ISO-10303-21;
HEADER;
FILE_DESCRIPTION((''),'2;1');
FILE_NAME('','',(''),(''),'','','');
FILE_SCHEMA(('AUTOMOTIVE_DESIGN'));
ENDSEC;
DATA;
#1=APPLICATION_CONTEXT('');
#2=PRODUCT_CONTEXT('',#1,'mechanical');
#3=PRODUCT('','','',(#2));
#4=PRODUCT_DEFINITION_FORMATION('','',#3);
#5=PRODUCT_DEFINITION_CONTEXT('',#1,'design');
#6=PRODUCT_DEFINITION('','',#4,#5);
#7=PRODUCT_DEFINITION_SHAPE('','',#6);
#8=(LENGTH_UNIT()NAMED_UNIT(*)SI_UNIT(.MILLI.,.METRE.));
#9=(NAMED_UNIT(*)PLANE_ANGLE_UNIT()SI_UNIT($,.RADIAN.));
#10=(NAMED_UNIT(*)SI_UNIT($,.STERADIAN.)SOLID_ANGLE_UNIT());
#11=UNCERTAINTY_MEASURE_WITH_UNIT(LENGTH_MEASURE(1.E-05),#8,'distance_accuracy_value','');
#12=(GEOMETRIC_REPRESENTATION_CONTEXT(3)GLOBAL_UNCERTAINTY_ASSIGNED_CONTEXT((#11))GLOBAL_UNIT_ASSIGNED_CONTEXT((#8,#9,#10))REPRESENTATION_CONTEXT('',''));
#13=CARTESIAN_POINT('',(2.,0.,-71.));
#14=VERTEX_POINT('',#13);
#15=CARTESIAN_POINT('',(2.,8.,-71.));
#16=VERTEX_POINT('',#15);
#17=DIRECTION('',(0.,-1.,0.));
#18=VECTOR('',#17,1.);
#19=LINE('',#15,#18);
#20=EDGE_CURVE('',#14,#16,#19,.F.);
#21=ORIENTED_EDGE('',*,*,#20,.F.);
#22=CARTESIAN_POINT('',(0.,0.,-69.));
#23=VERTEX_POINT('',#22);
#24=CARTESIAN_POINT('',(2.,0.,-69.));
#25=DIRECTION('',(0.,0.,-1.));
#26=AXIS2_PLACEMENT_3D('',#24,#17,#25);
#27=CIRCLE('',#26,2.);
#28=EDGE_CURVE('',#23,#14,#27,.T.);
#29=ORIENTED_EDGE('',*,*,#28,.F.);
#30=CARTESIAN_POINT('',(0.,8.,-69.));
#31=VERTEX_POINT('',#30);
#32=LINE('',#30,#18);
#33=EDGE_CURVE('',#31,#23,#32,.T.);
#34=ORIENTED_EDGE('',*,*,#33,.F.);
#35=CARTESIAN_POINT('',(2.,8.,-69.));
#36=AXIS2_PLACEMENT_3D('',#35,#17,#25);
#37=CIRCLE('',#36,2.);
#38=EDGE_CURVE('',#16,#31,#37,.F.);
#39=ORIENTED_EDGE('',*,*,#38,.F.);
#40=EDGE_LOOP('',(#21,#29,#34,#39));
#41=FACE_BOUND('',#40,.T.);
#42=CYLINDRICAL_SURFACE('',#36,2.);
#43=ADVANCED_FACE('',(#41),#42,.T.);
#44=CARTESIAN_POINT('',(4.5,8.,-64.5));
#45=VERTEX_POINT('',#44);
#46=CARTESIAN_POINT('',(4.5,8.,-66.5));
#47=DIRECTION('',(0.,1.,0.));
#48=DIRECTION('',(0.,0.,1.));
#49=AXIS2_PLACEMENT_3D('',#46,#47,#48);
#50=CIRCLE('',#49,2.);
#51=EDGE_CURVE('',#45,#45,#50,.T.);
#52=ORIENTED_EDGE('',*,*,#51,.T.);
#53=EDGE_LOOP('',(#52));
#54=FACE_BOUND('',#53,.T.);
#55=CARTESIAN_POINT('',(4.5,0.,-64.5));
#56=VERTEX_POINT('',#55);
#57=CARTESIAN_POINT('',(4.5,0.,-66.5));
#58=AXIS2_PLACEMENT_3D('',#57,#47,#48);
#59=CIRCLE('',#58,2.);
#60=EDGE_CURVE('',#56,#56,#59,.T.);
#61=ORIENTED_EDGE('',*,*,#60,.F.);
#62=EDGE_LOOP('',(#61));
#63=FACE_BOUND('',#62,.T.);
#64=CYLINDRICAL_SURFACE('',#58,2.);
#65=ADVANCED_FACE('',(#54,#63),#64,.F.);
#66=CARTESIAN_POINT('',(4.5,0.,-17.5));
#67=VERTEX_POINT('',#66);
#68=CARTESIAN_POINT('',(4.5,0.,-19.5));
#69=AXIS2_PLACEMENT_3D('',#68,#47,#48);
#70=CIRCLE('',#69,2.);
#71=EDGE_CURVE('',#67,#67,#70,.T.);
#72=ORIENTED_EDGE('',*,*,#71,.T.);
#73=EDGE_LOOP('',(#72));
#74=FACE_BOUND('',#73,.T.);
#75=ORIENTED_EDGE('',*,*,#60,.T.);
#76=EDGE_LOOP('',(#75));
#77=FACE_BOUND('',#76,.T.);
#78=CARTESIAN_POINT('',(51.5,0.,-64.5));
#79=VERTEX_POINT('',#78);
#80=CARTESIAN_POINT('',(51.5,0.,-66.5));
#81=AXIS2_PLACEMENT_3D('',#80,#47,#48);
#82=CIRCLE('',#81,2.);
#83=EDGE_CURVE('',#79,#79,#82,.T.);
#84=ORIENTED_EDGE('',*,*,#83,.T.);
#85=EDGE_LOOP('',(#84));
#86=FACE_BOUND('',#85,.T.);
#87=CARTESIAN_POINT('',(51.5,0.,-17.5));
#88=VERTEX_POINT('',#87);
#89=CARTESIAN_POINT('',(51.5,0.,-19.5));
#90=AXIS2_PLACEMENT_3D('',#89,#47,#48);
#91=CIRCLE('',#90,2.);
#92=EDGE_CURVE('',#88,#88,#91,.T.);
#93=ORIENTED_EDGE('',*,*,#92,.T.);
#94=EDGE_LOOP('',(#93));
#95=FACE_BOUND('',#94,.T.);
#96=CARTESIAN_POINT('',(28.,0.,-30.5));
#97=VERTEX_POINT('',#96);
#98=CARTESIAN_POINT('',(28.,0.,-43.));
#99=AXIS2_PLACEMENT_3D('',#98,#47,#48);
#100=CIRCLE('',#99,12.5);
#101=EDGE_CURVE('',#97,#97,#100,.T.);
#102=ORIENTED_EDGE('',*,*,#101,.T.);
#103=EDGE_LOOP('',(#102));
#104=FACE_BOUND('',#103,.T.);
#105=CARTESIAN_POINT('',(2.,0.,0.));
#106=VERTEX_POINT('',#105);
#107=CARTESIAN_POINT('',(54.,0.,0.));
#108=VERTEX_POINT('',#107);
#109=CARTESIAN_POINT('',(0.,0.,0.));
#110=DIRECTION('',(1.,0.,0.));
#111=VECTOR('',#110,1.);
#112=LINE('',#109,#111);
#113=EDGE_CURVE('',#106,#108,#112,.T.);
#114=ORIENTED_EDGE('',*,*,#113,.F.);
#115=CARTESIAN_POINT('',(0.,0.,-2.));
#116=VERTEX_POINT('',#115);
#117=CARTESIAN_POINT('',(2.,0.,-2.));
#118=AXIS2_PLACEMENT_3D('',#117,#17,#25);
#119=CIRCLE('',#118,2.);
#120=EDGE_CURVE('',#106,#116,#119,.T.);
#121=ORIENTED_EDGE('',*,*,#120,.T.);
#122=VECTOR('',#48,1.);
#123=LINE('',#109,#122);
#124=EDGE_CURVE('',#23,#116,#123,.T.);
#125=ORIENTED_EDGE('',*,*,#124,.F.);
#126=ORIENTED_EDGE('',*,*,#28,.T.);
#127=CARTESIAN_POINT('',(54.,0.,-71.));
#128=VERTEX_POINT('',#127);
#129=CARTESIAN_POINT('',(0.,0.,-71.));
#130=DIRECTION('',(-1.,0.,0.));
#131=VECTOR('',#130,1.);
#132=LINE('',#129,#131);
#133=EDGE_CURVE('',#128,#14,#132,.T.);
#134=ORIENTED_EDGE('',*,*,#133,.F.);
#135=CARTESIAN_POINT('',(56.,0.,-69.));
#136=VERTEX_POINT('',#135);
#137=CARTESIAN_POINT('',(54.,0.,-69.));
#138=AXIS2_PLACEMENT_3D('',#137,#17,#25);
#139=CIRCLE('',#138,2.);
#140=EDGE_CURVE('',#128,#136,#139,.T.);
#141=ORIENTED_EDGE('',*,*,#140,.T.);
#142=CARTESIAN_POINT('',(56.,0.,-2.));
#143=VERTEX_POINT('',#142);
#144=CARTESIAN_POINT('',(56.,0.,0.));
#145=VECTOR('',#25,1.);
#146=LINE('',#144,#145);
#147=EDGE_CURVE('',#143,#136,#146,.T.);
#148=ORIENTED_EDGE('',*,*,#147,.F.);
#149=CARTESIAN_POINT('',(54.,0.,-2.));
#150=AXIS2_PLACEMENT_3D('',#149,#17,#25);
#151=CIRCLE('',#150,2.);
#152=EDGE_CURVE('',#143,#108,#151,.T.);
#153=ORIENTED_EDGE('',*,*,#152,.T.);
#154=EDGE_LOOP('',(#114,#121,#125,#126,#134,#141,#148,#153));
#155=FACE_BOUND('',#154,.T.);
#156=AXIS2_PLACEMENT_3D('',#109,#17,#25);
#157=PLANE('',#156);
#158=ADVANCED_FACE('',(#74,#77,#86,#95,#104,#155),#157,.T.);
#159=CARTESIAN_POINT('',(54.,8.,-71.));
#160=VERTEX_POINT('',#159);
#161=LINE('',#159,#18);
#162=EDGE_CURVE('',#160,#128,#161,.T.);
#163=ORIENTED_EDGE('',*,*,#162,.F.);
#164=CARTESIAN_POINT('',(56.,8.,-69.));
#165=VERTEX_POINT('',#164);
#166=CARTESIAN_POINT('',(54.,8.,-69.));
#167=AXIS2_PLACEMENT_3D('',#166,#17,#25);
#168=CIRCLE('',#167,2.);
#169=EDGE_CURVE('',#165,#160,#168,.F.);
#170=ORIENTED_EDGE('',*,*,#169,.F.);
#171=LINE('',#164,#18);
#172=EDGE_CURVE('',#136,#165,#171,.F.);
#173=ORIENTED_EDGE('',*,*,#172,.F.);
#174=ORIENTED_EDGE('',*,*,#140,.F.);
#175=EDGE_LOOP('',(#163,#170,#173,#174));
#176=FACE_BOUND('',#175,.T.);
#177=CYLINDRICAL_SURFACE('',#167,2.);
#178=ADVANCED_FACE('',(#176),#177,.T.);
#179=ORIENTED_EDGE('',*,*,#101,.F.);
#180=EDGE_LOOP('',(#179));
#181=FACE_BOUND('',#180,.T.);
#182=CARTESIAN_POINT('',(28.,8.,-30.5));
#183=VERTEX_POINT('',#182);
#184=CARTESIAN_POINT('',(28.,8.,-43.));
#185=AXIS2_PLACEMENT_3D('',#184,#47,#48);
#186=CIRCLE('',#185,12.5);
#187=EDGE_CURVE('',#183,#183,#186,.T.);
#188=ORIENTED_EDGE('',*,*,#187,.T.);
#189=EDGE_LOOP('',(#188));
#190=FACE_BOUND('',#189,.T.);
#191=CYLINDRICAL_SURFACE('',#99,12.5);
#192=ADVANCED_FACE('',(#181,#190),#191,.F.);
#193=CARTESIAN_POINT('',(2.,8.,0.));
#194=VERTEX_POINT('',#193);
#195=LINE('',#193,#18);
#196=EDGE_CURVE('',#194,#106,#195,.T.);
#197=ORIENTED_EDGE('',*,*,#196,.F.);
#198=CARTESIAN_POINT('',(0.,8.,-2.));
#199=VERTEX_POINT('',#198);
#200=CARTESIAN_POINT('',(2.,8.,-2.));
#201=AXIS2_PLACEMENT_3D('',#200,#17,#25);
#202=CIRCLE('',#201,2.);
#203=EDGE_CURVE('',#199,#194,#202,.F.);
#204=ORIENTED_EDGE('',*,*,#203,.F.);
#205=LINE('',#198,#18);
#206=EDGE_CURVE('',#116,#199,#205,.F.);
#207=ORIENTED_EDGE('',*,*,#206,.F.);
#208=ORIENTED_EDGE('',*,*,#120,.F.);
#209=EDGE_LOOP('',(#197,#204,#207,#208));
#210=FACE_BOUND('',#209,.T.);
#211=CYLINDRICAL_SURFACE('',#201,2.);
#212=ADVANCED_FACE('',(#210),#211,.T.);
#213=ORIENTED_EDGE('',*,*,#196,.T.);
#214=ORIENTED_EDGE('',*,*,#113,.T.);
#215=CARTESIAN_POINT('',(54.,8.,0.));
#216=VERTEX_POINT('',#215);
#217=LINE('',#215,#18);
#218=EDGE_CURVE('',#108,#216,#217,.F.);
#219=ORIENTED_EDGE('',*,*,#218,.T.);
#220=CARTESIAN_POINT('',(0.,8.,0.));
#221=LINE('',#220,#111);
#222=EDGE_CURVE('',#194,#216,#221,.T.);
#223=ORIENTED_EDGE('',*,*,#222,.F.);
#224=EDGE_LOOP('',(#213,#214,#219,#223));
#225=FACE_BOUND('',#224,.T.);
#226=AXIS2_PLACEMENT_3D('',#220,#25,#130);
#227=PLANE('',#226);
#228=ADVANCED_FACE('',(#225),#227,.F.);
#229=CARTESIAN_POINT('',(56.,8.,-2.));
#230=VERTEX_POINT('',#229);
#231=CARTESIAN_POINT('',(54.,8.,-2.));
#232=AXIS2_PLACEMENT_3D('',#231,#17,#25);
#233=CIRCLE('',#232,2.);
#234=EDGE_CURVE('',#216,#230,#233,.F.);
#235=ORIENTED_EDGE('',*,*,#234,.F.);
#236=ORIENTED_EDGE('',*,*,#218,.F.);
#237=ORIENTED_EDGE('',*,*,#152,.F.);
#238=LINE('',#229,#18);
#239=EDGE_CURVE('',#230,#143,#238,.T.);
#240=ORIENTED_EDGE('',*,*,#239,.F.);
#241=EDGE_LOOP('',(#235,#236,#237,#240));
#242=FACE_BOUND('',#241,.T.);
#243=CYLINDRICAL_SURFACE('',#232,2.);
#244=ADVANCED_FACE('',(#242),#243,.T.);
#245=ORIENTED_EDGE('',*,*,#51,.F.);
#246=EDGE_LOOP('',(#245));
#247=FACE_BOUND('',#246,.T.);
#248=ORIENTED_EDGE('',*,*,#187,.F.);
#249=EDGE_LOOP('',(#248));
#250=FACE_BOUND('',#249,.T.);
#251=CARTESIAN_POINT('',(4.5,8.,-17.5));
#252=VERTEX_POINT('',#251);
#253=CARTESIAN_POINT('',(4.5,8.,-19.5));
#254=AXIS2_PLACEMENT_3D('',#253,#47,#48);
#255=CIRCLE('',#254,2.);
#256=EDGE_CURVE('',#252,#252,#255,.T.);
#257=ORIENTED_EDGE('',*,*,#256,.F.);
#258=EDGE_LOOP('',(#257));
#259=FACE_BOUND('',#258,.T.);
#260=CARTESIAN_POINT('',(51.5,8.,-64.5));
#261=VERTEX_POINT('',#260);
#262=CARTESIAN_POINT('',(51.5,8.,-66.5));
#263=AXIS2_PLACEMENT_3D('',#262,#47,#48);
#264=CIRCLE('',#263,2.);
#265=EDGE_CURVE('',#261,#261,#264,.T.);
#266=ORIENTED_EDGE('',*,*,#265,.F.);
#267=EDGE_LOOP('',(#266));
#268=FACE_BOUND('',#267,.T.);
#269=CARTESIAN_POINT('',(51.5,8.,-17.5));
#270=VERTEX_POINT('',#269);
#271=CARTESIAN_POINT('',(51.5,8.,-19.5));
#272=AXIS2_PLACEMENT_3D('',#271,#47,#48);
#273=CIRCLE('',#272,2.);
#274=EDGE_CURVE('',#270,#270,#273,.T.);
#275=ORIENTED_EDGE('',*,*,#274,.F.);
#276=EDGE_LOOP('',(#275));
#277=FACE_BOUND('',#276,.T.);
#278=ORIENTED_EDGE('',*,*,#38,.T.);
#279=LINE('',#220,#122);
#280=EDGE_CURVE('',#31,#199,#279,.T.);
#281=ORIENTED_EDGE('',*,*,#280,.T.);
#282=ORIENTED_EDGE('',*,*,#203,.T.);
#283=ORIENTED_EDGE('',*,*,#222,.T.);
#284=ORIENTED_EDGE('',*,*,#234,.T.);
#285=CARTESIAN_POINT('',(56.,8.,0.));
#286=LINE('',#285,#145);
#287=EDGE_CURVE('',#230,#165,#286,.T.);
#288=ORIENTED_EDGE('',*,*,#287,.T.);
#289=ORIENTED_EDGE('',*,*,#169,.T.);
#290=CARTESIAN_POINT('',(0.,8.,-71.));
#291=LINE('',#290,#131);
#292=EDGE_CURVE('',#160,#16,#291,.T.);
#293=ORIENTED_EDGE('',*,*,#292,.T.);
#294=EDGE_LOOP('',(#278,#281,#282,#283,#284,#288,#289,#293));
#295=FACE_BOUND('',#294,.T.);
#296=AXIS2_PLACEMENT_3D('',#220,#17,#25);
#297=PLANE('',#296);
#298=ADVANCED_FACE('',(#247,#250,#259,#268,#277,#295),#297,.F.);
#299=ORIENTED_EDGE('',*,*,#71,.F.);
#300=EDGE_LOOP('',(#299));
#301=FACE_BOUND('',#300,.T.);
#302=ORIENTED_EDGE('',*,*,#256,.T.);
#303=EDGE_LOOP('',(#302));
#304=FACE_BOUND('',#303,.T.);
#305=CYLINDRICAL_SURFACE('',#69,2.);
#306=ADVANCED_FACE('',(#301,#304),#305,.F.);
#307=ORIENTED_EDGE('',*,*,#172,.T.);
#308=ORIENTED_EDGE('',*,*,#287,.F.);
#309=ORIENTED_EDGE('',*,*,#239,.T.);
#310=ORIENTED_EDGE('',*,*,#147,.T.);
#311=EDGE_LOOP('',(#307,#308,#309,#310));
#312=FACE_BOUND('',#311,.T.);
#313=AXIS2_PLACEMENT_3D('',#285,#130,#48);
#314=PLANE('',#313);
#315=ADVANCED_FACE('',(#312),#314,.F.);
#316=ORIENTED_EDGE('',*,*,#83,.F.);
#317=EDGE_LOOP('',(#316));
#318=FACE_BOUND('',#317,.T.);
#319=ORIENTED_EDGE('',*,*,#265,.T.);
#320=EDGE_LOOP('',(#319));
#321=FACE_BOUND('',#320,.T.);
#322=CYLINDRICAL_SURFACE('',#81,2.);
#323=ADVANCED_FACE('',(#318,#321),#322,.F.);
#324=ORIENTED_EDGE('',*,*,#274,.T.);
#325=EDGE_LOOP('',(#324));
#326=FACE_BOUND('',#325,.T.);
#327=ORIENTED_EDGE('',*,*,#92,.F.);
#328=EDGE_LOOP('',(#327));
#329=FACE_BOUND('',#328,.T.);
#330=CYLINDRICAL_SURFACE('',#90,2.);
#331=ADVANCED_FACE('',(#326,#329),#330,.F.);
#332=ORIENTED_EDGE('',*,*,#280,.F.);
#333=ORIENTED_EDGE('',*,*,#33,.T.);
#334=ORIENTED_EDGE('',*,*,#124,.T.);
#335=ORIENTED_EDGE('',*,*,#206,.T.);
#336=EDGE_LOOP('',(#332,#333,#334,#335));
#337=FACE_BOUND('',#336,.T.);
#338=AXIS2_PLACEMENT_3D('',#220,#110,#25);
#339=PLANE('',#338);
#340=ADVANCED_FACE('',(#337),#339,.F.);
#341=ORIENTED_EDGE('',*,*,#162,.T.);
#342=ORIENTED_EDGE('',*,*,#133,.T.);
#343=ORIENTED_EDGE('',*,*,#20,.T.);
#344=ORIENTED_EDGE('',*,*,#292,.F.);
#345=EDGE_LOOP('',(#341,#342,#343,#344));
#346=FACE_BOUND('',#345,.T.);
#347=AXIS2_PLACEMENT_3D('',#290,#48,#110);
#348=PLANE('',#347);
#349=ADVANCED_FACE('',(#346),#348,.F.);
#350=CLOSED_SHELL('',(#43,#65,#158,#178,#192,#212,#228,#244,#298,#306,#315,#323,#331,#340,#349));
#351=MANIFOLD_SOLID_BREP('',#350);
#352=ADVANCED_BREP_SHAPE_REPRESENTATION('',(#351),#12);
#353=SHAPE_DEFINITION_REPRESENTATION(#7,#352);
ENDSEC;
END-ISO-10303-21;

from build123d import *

# Parameters (mm, degrees)
SKETCH1_W           = 56
SKETCH1_H           = 71
BOSS_EXTRUDE1_DEPTH = 8
FILLET1_R           = 2
SKETCH2_R           = 2
SKETCH2_R_2         = 12.5
CUT_EXTRUDE1_DEPTH  = 91.779953734


with BuildPart() as part:
    # Sketch1 → Boss-Extrude1 (new body)
    with BuildSketch(Plane(origin=(0, 0, 0), x_dir=(1, 0, 0), z_dir=(0, 1, 0))):
        with Locations((28, 35.5)):
            Rectangle(SKETCH1_W, SKETCH1_H)
    extrude(amount=BOSS_EXTRUDE1_DEPTH)

    # Fillet1
    fillet1_edges = [part.edges().sort_by_distance(p)[0] for p in [
        (0, 4, -71),
        (56, 4, -71),
        (56, 4, 0),
        (0, 4, 0),
    ]]
    fillet(fillet1_edges, radius=FILLET1_R)

    # Sketch2 → Cut-Extrude1 (cut, through all)
    with BuildSketch(Plane(origin=(0, 8, 0), x_dir=(1, 0, 0), z_dir=(0, 1, 0))):
        with Locations(Location((4.5, 66.5, 0), (0, 0, 270))):
            Circle(SKETCH2_R)
        with Locations(Location((51.5, 66.5, 0), (0, 0, 270))):
            Circle(SKETCH2_R)
        with Locations(Location((51.5, 19.5, 0), (0, 0, 270))):
            Circle(SKETCH2_R)
        with Locations(Location((4.5, 19.5, 0), (0, 0, 270))):
            Circle(SKETCH2_R)
        with Locations(Location((28, 43, 0), (0, 0, 270))):
            Circle(SKETCH2_R_2)
    extrude(amount=-CUT_EXTRUDE1_DEPTH, mode=Mode.SUBTRACT)


solid = part.part
